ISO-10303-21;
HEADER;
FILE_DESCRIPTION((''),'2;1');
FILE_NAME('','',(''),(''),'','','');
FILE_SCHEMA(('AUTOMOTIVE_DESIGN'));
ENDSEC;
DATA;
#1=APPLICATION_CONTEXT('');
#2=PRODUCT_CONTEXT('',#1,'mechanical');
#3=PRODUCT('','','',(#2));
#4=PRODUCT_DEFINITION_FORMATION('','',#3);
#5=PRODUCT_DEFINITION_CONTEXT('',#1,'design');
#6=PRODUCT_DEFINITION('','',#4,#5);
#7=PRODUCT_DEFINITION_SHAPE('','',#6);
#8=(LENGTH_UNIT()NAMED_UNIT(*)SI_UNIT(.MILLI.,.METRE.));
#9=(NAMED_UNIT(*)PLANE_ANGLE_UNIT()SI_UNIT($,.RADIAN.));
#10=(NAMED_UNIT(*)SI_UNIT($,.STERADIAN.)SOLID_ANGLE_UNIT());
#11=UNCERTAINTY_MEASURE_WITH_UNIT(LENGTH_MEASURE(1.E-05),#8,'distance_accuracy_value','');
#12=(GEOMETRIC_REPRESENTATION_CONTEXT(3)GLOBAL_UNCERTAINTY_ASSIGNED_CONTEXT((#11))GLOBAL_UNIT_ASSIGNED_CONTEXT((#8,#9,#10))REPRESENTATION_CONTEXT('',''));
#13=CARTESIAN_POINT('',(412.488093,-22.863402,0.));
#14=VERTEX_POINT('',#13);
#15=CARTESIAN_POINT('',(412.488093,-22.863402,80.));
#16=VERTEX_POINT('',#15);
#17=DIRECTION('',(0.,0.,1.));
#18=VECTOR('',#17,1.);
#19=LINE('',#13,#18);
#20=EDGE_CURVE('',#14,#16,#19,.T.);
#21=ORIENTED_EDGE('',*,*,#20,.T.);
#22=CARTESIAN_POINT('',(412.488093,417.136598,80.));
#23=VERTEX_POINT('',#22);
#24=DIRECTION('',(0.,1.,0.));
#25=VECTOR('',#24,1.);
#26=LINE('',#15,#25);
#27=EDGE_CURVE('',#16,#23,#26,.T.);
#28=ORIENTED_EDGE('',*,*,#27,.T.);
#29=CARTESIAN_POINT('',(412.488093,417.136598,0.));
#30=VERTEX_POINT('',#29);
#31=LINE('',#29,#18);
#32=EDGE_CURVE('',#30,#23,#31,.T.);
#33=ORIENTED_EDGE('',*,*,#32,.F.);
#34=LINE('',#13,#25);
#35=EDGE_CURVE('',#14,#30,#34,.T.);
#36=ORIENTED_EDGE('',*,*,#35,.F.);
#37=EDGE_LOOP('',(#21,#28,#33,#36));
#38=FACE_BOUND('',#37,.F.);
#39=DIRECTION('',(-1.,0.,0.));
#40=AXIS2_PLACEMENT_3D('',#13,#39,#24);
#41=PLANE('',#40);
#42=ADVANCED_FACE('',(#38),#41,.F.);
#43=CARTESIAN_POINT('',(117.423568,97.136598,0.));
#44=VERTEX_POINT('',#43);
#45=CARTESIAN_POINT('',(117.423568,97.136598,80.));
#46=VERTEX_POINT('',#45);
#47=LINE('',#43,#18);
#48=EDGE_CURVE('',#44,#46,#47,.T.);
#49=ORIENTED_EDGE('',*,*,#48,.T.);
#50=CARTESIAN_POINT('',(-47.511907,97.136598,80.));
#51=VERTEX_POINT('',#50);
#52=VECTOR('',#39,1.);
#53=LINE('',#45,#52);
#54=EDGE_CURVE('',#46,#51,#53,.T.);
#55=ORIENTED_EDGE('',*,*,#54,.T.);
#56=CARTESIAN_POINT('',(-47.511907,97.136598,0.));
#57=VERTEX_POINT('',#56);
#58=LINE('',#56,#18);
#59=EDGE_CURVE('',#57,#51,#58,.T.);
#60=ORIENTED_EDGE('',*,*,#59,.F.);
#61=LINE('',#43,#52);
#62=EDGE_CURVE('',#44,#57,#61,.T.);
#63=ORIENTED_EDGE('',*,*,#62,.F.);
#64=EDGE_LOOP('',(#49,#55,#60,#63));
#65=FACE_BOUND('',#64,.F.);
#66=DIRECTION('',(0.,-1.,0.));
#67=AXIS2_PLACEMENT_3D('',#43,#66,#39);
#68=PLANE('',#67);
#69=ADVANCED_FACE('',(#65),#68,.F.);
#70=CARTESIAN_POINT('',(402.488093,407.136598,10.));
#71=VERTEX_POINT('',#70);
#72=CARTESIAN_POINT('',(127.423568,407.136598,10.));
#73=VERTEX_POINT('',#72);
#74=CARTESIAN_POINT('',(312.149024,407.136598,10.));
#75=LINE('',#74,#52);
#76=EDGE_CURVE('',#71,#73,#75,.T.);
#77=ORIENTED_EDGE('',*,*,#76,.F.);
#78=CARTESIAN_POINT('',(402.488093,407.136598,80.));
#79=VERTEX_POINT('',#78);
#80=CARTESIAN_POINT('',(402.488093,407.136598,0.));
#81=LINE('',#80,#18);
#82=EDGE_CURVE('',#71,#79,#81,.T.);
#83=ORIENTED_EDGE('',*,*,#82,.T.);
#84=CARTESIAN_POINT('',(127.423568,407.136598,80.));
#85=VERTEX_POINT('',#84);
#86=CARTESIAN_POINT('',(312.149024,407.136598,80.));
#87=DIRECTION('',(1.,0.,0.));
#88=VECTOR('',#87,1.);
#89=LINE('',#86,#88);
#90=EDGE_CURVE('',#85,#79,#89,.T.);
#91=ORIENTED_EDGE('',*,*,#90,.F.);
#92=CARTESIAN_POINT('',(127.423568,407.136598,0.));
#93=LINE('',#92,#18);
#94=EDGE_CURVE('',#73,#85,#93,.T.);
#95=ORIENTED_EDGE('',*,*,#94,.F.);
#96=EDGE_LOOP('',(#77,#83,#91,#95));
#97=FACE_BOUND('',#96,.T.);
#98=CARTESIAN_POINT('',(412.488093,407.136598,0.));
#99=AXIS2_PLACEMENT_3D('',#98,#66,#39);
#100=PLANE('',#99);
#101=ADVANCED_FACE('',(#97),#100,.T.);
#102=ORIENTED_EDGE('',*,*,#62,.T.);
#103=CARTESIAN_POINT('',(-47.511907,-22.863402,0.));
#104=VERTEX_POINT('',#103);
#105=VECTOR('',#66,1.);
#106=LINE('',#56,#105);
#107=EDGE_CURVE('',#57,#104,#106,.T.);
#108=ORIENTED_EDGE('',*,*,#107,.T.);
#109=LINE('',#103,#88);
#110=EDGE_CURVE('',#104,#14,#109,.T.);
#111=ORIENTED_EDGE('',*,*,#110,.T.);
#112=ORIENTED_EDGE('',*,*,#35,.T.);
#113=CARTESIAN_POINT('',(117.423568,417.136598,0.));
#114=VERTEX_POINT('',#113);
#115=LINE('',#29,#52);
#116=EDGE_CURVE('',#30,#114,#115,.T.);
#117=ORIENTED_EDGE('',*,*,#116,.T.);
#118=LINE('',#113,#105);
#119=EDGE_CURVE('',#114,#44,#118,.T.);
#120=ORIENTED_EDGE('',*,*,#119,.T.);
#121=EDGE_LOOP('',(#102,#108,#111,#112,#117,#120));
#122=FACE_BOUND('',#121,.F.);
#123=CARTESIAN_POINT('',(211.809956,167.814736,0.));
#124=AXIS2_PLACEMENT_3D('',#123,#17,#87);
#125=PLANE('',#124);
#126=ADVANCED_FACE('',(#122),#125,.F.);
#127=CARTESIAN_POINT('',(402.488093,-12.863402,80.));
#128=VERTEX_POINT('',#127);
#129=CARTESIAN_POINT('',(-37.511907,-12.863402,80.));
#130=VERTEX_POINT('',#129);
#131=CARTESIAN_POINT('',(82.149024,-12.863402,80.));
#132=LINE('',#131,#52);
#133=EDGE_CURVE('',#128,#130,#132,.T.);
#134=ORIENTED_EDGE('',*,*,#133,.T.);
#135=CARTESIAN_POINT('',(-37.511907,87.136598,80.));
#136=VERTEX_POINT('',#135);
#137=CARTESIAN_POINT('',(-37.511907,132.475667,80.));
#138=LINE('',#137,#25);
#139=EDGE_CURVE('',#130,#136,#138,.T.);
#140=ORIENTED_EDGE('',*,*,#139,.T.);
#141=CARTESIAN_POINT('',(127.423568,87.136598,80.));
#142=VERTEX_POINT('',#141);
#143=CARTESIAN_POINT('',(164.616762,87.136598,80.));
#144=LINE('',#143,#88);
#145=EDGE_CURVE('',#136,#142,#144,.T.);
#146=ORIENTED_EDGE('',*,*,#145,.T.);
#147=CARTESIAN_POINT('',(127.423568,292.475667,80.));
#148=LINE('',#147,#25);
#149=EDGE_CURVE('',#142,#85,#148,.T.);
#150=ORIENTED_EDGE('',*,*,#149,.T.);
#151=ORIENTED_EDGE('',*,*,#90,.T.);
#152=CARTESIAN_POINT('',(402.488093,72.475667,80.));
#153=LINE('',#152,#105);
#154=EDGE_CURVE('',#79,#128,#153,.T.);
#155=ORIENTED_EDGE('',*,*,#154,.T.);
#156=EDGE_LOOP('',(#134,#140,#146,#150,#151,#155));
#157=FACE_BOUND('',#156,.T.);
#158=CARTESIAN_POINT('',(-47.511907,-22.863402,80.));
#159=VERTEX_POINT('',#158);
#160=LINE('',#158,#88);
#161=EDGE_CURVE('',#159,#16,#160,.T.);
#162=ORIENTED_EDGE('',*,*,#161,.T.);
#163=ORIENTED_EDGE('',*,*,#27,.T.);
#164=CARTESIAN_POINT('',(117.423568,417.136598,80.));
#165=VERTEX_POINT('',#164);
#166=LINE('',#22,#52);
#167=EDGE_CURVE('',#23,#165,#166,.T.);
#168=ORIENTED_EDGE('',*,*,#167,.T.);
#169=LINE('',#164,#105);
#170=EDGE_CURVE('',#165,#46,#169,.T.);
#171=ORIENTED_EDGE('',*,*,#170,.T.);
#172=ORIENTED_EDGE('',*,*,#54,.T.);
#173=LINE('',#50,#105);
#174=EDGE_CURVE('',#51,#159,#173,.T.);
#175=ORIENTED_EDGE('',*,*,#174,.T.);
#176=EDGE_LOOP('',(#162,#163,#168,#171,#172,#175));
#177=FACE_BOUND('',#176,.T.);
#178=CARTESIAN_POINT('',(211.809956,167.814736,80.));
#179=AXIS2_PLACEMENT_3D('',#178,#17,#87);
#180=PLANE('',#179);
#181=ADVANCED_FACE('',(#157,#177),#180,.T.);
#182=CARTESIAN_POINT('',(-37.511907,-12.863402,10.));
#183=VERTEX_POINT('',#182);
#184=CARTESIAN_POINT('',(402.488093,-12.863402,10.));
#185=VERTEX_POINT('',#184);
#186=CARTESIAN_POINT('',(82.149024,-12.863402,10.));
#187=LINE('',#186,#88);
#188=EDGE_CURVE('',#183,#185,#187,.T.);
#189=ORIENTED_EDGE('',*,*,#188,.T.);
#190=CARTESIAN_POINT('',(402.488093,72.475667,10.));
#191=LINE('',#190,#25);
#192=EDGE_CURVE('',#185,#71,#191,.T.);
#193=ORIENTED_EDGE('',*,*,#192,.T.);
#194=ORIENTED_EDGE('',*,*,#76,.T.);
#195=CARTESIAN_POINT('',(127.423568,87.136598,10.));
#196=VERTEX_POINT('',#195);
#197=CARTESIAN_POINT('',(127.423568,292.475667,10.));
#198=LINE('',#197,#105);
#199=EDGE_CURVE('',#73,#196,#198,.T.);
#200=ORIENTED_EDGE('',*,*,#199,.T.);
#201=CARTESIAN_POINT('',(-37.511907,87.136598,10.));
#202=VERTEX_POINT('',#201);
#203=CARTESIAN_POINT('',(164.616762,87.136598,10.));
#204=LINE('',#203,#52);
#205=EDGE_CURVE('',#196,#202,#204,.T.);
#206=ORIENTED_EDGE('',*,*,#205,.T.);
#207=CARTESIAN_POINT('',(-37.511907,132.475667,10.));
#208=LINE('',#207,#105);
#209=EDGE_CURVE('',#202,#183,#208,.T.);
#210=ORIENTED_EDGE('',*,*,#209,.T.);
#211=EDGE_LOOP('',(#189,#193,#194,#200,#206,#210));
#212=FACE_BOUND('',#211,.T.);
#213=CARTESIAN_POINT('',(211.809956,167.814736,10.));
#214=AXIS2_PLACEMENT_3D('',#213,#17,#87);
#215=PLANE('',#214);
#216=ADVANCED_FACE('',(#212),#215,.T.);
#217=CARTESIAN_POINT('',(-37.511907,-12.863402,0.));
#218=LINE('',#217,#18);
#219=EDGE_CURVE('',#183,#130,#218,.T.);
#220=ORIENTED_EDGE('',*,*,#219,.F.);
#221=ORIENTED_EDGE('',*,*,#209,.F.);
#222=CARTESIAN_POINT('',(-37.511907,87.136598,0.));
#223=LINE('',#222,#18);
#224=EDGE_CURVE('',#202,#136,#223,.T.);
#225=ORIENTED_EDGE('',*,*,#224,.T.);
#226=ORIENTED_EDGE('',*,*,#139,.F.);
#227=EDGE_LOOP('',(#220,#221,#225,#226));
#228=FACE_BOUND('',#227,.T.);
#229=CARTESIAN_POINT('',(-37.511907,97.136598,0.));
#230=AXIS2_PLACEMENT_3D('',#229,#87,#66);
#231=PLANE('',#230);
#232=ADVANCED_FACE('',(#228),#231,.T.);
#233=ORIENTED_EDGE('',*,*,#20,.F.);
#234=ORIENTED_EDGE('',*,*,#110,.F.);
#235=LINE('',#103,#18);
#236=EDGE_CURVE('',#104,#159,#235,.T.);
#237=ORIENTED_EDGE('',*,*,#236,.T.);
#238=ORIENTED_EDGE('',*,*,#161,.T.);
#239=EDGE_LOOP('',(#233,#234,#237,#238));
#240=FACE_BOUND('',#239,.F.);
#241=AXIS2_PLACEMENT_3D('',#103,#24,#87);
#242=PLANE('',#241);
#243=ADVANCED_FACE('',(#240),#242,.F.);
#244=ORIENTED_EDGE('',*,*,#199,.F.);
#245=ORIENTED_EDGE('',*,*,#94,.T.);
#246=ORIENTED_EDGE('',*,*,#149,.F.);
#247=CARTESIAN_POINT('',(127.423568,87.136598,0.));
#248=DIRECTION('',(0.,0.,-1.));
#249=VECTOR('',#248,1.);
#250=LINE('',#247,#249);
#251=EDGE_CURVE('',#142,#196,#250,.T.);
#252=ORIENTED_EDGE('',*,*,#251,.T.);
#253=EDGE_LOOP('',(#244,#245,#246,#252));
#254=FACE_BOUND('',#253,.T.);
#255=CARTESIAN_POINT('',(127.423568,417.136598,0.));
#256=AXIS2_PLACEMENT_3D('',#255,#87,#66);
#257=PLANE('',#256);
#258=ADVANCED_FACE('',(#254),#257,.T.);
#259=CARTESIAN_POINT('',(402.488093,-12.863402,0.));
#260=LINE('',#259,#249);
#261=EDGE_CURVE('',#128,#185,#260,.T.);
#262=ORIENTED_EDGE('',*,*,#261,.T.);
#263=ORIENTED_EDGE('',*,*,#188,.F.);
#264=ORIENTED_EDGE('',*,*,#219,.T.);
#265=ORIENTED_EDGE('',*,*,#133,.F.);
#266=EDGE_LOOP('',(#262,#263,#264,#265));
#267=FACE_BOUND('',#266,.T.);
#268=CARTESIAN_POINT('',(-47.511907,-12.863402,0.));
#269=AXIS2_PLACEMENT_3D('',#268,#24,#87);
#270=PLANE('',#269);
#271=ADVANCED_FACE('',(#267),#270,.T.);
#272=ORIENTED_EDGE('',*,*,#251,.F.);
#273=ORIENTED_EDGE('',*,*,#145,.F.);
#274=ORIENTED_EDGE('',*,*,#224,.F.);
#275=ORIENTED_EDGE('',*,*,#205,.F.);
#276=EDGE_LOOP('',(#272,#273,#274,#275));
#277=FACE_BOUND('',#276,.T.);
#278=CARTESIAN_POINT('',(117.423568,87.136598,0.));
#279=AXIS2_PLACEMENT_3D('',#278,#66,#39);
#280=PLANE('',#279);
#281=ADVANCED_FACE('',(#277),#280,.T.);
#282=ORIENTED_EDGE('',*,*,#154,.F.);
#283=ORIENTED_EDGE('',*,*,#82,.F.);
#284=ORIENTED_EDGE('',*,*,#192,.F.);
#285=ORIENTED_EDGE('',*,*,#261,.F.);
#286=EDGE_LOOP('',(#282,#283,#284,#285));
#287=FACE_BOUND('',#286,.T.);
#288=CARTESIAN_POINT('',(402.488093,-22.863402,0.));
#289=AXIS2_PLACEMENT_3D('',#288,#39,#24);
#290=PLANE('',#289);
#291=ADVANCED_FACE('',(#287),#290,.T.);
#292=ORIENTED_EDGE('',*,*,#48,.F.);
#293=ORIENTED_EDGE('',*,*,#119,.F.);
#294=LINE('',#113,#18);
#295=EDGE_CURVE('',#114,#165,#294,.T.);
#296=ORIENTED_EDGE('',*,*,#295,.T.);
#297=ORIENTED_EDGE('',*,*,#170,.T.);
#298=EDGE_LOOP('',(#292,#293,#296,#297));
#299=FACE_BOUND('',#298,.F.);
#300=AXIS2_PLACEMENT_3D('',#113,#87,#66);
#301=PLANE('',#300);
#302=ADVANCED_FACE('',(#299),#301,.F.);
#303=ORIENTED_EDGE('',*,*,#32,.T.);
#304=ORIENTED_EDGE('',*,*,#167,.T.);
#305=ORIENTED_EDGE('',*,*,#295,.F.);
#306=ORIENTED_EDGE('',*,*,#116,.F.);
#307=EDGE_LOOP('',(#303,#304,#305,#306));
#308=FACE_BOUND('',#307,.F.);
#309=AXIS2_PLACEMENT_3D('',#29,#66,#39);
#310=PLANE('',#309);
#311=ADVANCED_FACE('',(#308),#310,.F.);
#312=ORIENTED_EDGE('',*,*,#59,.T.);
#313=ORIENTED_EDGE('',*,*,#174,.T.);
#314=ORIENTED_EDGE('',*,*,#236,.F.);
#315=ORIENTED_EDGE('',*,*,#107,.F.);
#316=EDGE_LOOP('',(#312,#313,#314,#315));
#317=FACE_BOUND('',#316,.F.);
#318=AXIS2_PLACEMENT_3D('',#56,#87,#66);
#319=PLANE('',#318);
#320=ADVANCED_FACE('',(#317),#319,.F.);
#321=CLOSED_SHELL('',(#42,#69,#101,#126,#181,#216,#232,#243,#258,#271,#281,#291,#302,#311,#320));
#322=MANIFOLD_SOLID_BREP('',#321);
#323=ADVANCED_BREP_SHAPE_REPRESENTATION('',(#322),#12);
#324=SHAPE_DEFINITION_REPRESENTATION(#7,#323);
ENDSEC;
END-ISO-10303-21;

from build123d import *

# Parameters (mm, degrees)
F1_DEPTH = 80
F2_T     = -10


with BuildPart() as f1:
    # F0 (on Top) → F1 (new body)
    with BuildSketch(Plane.XY):
        Polygon((412.4880934142, -22.863402168), (412.4880934142, 417.136597832), (117.423567924, 417.136597832), (117.423567924, 97.136597832), (-47.5119065858, 97.136597832), (-47.5119065858, -22.863402168), align=None)
    extrude(amount=F1_DEPTH)

    # F2
    f2_openings = [f1.faces().sort_by_distance(p)[0] for p in [
        (234.530758, 175.97133, 80),
    ]]
    offset(amount=F2_T, openings=f2_openings, kind=Kind.INTERSECTION)


solid = f1.part
